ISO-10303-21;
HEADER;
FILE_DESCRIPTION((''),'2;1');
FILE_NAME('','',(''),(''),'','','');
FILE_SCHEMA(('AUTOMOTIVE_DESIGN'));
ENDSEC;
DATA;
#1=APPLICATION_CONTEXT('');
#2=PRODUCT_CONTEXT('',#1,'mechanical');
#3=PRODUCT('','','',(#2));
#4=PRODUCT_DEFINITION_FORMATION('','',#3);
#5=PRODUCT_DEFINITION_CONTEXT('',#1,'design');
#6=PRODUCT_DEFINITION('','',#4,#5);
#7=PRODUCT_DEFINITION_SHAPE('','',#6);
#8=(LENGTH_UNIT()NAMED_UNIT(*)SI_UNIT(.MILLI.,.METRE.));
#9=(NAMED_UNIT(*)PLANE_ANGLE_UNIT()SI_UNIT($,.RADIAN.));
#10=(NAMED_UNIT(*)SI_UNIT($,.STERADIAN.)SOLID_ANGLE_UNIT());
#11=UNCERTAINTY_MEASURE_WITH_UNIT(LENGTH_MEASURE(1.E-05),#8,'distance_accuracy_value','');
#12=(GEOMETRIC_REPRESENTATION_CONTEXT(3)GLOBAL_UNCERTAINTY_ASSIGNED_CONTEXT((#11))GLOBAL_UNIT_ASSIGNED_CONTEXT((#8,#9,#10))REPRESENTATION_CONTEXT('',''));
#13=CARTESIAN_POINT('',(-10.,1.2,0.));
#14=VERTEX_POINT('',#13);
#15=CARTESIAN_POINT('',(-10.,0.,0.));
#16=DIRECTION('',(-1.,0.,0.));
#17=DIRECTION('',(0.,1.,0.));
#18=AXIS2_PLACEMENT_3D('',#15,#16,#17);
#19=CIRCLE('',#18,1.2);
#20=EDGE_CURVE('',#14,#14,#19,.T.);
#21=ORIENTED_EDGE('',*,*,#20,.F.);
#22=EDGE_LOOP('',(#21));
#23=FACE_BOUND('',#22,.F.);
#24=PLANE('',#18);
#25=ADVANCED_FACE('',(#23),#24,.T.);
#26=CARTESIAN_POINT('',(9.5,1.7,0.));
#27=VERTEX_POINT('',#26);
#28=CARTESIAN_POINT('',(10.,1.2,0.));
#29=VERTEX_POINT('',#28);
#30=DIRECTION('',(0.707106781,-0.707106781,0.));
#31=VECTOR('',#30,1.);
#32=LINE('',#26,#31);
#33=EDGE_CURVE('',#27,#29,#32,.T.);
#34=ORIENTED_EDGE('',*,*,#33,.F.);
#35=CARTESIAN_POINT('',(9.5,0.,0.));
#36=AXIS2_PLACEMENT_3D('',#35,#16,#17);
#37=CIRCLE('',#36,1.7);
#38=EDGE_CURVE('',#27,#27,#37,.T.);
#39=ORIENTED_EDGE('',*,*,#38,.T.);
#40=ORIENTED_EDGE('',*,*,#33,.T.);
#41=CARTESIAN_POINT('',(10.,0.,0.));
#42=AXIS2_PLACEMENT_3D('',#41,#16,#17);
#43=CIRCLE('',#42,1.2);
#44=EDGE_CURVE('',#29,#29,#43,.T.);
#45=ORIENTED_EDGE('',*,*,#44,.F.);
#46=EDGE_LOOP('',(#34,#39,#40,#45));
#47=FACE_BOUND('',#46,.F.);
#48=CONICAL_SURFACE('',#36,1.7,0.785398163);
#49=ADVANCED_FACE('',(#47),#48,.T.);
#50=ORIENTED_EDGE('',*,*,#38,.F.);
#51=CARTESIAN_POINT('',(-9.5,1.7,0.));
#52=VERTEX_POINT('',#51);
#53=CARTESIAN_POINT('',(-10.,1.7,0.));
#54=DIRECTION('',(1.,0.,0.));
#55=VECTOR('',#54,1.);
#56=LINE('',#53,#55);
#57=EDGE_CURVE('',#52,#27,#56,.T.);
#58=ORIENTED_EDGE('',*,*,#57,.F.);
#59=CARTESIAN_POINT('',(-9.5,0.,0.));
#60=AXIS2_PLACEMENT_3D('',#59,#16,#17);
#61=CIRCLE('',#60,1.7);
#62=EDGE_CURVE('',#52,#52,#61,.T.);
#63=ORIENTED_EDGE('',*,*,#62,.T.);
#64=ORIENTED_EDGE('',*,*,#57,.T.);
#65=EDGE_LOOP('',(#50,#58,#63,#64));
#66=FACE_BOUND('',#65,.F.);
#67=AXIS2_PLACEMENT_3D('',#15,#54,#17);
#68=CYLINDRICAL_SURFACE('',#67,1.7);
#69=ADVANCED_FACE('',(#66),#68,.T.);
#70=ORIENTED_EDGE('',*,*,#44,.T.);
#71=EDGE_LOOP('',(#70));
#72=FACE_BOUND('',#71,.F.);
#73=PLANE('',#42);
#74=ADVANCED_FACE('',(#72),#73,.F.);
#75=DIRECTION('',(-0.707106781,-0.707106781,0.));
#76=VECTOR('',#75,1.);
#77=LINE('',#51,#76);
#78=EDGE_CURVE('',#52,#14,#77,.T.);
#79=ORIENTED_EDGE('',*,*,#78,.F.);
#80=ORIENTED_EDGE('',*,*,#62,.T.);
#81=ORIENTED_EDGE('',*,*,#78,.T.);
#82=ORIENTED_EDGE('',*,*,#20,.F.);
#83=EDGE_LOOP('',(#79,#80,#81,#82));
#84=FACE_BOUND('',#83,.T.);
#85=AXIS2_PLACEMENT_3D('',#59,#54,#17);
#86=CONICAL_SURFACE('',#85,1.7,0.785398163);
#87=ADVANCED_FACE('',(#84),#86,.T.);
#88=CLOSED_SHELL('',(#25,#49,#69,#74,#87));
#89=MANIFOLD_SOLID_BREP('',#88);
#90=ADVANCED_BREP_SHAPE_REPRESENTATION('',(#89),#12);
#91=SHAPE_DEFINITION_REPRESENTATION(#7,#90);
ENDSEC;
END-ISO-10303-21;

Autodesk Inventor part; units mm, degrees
ref_plane "YZ Plane" through (0, 0, 0) normal (1, 0, 0) x (0, 1, 0)
ref_plane "XZ Plane" through (0, 0, 0) normal (0, 1, 0) x (-1, 0, 0)
ref_plane "XY Plane" through (0, 0, 0) normal (0, 0, 1) x (1, 0, 0)
sketch "Sketch1" plane through (0, 0, 0) normal (0, 0, 1) x (1, 0, 0)
  line L0 (-10, 1.7) -> (10, 1.7)
  line L1 (10, 1.7) -> (10, 0)
  line L2 (10, 0) -> (-10, 0)
  line L3 (-10, 0) -> (-10, 1.7)
  point P0 (0, 0)
  point P1 (0, 0)
  dimension "d0" = 3.4
  dimension "d1" = 20
revolve "Revolution1" add sketch "Sketch1" angle 360 about axis through (10, 0, 0) along (-1, 0, 0)
chamfer "Chamfer1" distance 0.5 angle 45 2 edges at (-10, -1.7, 0) (10, -1.7, 0)
properties part number "Axle Small" material "Steel"
